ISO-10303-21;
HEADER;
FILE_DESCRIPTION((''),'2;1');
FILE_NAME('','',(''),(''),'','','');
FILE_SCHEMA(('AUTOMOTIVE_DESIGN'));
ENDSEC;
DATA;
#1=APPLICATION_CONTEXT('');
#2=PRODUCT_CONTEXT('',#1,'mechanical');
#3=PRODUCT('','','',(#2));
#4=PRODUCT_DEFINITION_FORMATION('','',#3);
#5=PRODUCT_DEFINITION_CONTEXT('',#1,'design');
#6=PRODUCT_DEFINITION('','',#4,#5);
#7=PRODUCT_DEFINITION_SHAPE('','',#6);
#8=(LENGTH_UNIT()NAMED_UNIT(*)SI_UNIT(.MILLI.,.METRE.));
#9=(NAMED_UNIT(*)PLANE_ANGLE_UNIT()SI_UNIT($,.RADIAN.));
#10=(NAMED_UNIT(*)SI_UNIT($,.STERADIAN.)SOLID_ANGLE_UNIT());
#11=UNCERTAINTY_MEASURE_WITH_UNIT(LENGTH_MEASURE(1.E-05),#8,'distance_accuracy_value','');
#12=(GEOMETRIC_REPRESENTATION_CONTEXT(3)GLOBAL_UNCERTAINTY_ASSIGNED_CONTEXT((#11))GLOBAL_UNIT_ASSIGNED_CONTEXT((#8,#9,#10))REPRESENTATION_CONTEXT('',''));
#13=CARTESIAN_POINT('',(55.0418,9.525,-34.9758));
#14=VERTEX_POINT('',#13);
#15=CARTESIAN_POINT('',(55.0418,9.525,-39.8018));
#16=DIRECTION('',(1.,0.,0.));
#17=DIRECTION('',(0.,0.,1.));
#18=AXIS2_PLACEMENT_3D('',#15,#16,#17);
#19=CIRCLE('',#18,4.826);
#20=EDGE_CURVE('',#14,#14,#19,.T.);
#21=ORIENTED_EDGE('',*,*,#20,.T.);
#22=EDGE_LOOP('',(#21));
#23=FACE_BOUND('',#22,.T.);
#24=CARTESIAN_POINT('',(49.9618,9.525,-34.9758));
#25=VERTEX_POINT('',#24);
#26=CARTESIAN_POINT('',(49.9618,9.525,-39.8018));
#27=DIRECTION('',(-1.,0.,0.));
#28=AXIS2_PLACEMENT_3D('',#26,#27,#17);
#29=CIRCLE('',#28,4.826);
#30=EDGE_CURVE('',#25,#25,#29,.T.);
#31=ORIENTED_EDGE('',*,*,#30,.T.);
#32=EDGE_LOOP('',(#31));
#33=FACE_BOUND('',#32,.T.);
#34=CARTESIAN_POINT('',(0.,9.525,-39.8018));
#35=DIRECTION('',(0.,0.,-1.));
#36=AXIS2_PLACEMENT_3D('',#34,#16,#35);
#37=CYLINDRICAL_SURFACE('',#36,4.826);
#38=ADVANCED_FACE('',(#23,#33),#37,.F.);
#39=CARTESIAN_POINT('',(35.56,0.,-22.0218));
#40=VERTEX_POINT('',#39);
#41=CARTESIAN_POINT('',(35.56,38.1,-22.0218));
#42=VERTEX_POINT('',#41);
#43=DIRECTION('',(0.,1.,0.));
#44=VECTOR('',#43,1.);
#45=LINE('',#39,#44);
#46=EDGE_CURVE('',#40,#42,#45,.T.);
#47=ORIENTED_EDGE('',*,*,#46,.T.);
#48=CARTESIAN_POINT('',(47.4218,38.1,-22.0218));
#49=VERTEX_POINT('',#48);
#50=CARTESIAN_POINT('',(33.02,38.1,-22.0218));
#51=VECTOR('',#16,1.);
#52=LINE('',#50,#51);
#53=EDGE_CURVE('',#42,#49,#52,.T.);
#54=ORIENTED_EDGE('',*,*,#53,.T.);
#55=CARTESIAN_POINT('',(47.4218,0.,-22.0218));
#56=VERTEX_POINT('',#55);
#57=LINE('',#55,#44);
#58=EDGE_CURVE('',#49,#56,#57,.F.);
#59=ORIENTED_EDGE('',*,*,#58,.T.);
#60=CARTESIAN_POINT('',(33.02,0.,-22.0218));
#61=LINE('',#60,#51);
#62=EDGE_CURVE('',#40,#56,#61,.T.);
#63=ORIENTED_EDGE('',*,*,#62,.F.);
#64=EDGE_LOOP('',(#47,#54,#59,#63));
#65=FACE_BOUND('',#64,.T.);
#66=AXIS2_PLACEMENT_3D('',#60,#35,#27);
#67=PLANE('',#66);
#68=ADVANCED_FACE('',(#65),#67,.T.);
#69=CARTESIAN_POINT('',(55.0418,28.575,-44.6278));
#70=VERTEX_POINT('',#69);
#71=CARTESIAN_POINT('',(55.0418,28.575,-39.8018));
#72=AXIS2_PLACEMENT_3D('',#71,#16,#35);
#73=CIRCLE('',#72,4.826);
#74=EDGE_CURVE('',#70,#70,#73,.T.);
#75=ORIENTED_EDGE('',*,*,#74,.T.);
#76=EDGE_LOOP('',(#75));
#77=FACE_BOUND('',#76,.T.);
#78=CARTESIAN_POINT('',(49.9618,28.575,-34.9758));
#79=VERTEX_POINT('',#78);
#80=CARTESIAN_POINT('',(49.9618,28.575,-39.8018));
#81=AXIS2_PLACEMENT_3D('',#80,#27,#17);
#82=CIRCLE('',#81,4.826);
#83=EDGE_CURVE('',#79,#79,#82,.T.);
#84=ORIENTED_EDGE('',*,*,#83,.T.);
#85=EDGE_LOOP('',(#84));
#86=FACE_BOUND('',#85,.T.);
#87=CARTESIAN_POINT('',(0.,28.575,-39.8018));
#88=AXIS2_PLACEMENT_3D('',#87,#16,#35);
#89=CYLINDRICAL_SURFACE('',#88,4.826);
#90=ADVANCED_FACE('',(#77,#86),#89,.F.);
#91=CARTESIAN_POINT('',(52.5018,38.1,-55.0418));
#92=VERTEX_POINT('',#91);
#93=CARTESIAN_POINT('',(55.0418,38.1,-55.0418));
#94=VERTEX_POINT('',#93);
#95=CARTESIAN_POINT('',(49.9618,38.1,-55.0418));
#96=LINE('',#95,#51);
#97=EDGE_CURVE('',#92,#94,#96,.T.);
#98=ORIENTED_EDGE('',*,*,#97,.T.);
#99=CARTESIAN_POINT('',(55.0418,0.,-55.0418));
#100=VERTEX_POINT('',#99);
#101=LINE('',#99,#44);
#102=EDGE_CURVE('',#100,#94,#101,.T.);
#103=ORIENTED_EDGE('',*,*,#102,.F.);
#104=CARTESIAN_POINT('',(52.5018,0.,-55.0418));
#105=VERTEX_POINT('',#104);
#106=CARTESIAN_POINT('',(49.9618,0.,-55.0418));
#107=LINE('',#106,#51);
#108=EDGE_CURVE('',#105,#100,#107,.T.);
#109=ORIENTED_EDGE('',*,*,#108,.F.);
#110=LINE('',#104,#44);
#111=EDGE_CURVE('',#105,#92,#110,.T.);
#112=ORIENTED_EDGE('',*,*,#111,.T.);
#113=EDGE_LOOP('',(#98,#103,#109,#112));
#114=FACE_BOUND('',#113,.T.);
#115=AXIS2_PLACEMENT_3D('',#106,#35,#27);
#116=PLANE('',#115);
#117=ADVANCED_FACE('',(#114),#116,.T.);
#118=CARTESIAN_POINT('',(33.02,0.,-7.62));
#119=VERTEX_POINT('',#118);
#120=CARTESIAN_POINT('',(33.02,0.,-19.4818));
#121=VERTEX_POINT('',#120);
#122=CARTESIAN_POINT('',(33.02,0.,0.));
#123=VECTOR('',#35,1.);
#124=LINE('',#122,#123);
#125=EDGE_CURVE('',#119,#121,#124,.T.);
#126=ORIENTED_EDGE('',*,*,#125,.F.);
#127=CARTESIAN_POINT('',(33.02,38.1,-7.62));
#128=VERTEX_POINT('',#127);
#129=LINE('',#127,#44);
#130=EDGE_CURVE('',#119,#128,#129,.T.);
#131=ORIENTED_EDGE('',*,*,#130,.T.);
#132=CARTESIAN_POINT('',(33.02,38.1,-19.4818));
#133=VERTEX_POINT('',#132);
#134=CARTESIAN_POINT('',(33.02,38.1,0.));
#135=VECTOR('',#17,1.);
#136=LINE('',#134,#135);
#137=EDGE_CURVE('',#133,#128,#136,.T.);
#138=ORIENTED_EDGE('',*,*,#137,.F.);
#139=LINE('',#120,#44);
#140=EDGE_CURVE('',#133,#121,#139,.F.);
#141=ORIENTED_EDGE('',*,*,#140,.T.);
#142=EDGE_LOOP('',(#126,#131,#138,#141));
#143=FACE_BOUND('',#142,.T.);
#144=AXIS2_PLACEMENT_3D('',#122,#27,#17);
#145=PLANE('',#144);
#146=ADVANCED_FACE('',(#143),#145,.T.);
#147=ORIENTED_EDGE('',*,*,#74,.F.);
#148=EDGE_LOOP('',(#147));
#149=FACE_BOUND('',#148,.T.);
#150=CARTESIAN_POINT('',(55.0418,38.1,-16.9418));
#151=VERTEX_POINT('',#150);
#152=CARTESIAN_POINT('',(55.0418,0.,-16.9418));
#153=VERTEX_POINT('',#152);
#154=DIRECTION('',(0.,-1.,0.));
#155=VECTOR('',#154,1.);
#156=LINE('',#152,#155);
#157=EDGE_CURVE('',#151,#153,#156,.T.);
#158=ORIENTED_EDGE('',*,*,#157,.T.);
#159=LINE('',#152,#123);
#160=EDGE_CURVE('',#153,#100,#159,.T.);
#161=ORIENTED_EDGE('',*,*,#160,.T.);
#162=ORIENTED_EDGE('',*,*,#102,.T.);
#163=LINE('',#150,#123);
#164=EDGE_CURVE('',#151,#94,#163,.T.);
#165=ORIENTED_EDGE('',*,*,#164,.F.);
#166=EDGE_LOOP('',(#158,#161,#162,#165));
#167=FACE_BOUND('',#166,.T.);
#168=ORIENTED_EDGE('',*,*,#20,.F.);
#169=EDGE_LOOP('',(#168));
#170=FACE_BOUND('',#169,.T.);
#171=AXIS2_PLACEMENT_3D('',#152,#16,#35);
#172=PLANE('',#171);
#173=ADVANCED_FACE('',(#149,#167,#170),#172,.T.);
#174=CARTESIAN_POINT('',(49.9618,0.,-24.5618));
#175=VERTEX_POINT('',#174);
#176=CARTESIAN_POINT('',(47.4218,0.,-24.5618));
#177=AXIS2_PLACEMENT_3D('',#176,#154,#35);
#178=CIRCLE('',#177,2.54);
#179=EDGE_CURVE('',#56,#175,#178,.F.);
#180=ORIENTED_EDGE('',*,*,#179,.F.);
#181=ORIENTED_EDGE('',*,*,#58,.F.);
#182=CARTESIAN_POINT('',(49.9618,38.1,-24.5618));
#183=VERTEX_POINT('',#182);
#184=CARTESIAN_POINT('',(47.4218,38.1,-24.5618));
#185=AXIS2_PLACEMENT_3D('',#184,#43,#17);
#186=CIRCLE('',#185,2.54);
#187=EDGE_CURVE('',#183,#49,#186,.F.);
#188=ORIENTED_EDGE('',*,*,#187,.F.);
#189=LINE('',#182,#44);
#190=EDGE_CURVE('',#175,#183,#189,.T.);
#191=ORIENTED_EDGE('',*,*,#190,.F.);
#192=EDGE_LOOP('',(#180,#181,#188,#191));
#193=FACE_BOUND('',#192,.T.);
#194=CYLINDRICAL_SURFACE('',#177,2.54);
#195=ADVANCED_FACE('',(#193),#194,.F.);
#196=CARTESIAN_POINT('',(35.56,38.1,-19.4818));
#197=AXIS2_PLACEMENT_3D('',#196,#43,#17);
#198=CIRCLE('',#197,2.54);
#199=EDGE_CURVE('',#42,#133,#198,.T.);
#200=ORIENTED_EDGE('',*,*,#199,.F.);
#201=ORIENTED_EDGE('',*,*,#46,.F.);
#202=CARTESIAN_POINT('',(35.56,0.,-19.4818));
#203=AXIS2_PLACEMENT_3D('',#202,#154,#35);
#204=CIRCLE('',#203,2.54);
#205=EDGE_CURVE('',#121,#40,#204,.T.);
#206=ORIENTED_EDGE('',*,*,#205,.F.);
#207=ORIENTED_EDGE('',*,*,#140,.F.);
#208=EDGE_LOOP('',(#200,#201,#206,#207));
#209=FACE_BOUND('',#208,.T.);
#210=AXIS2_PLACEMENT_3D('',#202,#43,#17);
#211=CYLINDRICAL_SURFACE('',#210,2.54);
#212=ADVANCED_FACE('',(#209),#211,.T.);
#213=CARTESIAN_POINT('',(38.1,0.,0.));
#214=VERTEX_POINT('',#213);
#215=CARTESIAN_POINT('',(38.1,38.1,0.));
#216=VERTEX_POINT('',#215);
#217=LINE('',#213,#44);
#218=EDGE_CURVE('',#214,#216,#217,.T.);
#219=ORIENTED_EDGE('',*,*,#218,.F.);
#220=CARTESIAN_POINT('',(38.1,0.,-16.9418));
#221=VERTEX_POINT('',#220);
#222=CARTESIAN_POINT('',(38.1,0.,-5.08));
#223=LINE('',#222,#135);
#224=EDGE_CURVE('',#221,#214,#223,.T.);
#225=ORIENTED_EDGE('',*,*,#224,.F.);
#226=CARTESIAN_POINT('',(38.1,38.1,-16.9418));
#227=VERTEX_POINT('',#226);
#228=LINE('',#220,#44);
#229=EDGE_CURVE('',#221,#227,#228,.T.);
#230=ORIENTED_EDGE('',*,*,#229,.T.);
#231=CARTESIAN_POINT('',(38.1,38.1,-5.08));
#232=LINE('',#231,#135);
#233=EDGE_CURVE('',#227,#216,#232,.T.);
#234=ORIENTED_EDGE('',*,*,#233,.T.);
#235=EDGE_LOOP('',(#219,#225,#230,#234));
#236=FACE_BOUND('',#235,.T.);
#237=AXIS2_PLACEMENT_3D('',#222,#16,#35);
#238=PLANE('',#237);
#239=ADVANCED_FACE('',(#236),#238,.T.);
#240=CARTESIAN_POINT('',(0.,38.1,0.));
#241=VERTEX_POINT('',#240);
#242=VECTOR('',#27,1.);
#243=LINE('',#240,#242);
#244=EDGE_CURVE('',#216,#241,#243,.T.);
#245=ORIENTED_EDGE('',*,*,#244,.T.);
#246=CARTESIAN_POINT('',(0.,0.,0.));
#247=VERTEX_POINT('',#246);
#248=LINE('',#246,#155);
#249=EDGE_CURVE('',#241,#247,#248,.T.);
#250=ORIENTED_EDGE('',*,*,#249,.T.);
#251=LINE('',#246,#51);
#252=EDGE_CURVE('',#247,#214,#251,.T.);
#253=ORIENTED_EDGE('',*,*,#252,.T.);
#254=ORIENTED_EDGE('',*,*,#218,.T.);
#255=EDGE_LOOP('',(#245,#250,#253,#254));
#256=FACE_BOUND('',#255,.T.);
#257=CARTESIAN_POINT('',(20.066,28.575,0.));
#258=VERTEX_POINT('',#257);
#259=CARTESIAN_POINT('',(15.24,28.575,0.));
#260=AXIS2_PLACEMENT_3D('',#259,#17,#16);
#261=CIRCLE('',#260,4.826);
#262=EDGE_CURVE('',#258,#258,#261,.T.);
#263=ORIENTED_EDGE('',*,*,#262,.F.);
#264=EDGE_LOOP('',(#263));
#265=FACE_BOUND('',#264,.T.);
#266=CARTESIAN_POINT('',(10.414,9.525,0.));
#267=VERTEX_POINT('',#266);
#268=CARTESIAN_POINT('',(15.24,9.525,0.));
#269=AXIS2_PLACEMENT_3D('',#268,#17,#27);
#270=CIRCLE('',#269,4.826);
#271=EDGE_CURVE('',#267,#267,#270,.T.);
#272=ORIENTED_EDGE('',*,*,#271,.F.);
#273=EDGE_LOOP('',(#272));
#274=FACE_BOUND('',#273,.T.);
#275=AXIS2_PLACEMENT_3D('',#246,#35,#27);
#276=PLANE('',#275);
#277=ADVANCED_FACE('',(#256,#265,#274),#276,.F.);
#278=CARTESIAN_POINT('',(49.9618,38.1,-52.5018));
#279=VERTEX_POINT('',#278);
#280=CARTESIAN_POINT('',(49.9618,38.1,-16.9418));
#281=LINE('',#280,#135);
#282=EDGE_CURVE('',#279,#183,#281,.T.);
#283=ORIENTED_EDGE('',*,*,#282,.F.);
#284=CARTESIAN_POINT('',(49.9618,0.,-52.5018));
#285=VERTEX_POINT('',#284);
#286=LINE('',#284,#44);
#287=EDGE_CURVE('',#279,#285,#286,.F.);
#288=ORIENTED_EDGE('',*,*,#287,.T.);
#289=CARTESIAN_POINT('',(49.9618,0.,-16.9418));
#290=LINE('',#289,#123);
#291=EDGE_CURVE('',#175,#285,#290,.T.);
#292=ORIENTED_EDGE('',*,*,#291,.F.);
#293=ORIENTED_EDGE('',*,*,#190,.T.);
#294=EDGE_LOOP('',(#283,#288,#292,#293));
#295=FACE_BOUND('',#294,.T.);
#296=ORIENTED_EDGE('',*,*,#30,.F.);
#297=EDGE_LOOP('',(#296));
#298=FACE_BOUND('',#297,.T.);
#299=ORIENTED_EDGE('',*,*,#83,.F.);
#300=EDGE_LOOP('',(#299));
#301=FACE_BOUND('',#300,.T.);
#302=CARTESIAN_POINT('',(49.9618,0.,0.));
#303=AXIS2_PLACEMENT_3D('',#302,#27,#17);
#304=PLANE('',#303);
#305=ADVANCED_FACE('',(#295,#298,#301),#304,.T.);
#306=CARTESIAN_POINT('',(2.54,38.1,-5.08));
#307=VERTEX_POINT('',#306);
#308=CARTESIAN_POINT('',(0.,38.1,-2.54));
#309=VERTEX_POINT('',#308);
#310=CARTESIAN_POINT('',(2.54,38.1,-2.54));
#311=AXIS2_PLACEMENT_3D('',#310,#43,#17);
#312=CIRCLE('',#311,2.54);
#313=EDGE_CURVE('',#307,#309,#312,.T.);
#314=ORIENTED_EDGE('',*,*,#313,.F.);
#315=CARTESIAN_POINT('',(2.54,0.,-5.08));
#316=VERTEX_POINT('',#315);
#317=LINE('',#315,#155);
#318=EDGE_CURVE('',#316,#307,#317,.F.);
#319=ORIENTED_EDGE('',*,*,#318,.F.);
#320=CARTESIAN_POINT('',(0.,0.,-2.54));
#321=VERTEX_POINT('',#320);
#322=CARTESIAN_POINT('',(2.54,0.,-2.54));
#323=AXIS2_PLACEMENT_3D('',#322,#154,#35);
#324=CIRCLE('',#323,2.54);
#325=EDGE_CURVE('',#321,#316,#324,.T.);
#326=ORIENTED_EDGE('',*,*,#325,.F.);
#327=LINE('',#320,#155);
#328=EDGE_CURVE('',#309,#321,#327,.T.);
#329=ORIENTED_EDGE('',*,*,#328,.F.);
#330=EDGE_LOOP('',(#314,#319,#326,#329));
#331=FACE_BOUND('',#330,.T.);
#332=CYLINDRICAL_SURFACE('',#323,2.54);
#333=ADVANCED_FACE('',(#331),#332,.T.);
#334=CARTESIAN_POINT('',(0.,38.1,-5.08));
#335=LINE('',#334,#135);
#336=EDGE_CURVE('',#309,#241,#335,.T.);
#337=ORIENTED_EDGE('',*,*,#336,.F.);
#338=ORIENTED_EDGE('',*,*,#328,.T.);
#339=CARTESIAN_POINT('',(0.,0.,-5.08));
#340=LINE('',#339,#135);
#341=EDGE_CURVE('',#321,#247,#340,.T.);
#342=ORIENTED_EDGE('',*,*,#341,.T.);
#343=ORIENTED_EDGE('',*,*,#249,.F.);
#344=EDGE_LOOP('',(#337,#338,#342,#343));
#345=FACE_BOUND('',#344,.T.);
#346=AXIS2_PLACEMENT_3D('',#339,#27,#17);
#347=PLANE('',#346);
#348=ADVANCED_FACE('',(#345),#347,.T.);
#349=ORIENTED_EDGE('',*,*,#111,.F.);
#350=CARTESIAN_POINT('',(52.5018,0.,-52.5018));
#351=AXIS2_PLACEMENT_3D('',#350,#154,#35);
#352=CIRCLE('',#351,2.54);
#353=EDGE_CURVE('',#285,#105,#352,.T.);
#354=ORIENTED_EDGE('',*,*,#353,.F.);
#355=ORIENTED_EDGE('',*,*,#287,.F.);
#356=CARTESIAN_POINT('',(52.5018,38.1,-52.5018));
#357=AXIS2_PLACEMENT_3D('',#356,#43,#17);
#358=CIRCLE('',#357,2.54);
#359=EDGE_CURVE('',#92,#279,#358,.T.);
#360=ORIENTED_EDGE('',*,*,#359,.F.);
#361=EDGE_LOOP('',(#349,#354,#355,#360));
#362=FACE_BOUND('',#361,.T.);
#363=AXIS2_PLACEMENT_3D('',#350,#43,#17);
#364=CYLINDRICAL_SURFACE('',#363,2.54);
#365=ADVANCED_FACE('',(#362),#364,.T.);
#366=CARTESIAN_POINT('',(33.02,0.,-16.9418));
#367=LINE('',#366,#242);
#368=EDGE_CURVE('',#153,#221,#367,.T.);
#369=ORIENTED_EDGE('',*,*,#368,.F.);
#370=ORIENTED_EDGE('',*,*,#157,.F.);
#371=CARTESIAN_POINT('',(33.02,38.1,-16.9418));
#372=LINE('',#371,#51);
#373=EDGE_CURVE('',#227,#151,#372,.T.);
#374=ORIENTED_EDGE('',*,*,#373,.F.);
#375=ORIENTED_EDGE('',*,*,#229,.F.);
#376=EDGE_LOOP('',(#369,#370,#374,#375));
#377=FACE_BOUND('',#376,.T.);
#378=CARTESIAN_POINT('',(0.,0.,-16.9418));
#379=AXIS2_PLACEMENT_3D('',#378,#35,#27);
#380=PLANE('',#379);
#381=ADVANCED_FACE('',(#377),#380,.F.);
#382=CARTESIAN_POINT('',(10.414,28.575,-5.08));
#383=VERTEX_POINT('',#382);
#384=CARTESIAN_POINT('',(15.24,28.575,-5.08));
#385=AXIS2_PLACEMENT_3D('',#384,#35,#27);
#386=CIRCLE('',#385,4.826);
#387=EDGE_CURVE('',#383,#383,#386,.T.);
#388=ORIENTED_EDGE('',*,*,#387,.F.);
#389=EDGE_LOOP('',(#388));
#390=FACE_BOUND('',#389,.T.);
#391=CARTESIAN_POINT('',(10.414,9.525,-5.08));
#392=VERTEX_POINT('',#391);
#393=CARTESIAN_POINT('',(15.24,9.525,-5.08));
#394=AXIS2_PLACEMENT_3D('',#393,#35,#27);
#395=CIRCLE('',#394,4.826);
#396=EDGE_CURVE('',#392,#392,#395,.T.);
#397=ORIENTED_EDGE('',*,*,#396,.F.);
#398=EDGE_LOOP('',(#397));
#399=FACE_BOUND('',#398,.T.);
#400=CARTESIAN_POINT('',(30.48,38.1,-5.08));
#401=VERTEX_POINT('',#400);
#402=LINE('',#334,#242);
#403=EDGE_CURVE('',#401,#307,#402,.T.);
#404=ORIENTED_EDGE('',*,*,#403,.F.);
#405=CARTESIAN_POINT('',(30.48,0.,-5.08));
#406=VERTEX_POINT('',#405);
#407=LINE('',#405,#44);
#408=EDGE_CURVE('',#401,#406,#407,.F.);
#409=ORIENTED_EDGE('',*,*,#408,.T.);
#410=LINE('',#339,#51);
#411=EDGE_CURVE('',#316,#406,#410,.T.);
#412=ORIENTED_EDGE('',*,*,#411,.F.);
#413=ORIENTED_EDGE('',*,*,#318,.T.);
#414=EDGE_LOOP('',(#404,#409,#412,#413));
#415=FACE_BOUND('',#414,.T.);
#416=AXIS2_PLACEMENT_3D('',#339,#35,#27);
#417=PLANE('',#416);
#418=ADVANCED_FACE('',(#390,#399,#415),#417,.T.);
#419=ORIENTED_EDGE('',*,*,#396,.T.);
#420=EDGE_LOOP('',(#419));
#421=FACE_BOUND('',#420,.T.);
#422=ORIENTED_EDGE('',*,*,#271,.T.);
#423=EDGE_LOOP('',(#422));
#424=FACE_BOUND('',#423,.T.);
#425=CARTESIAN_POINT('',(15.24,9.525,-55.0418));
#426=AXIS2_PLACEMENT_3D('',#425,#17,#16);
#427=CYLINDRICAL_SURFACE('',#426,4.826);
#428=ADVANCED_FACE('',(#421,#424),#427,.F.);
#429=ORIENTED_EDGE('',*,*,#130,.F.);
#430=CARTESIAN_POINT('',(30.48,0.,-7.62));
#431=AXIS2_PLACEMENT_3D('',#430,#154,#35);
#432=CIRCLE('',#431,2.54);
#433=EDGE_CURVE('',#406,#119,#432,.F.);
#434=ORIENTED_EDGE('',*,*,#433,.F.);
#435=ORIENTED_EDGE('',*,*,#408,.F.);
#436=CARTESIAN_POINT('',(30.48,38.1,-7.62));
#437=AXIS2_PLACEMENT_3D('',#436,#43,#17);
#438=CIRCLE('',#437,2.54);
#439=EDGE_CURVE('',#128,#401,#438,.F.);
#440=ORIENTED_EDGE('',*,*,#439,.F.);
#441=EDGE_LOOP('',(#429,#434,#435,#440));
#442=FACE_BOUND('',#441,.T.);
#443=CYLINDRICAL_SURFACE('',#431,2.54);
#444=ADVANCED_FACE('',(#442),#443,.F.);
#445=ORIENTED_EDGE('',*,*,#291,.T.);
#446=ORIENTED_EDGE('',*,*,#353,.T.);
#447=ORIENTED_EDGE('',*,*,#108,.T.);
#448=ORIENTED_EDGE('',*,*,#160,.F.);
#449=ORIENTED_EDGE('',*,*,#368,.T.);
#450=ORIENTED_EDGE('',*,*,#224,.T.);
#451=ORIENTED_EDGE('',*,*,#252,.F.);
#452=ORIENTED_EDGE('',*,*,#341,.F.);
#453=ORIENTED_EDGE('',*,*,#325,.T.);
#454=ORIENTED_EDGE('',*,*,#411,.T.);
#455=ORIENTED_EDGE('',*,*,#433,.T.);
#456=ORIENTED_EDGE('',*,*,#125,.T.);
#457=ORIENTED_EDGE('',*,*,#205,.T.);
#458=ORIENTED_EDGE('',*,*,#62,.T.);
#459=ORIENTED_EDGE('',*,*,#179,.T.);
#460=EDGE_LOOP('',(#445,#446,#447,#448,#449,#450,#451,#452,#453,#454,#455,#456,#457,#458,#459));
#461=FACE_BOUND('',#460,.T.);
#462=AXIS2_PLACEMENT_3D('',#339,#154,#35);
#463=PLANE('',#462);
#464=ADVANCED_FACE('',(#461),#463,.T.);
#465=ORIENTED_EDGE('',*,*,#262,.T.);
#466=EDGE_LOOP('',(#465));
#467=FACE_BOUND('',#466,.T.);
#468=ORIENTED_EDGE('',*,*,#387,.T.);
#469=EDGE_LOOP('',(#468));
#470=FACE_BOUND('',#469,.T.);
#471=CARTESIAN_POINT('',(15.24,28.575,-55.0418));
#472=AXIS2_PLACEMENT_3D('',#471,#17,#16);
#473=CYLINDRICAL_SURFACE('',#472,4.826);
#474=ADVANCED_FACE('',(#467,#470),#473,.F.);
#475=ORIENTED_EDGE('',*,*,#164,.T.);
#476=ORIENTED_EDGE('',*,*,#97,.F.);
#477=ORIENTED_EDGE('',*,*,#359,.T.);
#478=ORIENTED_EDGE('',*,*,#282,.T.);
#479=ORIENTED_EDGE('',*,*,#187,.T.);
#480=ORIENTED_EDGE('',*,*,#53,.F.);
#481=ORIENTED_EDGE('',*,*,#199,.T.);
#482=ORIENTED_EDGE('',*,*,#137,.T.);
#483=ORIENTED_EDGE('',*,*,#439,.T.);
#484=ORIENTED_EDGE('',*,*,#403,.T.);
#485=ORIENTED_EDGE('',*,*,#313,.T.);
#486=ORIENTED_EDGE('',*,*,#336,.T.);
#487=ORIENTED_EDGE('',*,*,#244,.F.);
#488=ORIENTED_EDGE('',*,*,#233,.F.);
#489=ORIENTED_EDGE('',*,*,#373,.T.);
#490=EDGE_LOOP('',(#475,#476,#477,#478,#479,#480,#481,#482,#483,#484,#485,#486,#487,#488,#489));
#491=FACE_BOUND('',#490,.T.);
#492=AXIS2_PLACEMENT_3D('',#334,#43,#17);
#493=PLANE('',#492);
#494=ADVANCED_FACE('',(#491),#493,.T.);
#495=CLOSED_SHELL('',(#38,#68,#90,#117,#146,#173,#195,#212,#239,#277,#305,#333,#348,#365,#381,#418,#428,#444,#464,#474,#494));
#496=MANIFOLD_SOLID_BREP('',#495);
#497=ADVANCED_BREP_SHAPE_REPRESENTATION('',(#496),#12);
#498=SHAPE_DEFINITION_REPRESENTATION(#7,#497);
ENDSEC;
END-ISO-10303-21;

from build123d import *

# Parameters (mm, degrees)
SKETCH2_W           = 38.1
SKETCH2_H           = 38.1
BOSS_EXTRUDE1_DEPTH = 5.08
SKETCH3_W           = 22.0218
SKETCH3_H           = 38.1
BOSS_EXTRUDE2_DEPTH = 5.08
SKETCH4_W           = 22.0218
SKETCH4_H           = 38.1
BOSS_EXTRUDE3_DEPTH = 5.08
SKETCH5_W           = 38.1
SKETCH5_H           = 38.1
BOSS_EXTRUDE4_DEPTH = 5.08
SKETCH6_R           = 4.826
CUT_EXTRUDE1_DEPTH  = 87.664926553
SKETCH7_R           = 4.826
CUT_EXTRUDE2_DEPTH  = 87.664926553
FILLET1_R           = 2.54
FILLET2_R           = 2.54
FILLET3_R           = 2.54
FILLET4_R           = 2.54
FILLET5_R           = 2.54


with BuildPart() as part:
    # Sketch2 → Boss-Extrude1 (new body)
    with BuildSketch(Plane.XY):
        with Locations((19.05, 19.05)):
            Rectangle(SKETCH2_W, SKETCH2_H)
    extrude(amount=-BOSS_EXTRUDE1_DEPTH)

    # Sketch3 → Boss-Extrude2 (add)
    with BuildSketch(Plane(origin=(38.1, 0, 0), x_dir=(0, 0, -1), z_dir=(1, 0, 0))):
        with Locations((11.0109, 19.05)):
            Rectangle(SKETCH3_W, SKETCH3_H)
    extrude(amount=-BOSS_EXTRUDE2_DEPTH)

    # Sketch4 → Boss-Extrude3 (add)
    with BuildSketch(Plane(origin=(0, 0, -22.0218), x_dir=(-1, 0, 0), z_dir=(0, 0, -1))):
        with Locations((-44.0309, 19.05)):
            Rectangle(SKETCH4_W, SKETCH4_H)
    extrude(amount=-BOSS_EXTRUDE3_DEPTH)

    # Sketch5 → Boss-Extrude4 (add)
    with BuildSketch(Plane(origin=(55.0418, 0, 0), x_dir=(0, 0, -1), z_dir=(1, 0, 0))):
        with Locations((35.9918, 19.05)):
            Rectangle(SKETCH5_W, SKETCH5_H)
    extrude(amount=-BOSS_EXTRUDE4_DEPTH)

    # Sketch6 → Cut-Extrude1 (cut, through all)
    with BuildSketch(Plane(origin=(55.0418, 0, 0), x_dir=(0, 0, -1), z_dir=(1, 0, 0))):
        with Locations((39.8018, 28.575)):
            Circle(SKETCH6_R)
        with Locations(Location((39.8018, 9.525, 0), (0, 0, 180))):
            Circle(SKETCH6_R)
    extrude(amount=-CUT_EXTRUDE1_DEPTH, mode=Mode.SUBTRACT)

    # Sketch7 → Cut-Extrude2 (cut, through all)
    with BuildSketch(Plane.XY):
        with Locations((15.24, 28.575)):
            Circle(SKETCH7_R)
        with Locations(Location((15.24, 9.525, 0), (0, 0, 180))):
            Circle(SKETCH7_R)
    extrude(amount=-CUT_EXTRUDE2_DEPTH, mode=Mode.SUBTRACT)

    # Fillet1
    fillet1_edges = [part.edges().sort_by_distance(p)[0] for p in [
        (49.9618, 19.05, -55.0418),
    ]]
    fillet(fillet1_edges, radius=FILLET1_R)

    # Fillet2
    fillet2_edges = [part.edges().sort_by_distance(p)[0] for p in [
        (49.9618, 19.05, -22.0218),
    ]]
    fillet(fillet2_edges, radius=FILLET2_R)

    # Fillet3
    fillet3_edges = [part.edges().sort_by_distance(p)[0] for p in [
        (33.02, 19.05, -22.0218),
    ]]
    fillet(fillet3_edges, radius=FILLET3_R)

    # Fillet4
    fillet4_edges = [part.edges().sort_by_distance(p)[0] for p in [
        (33.02, 19.05, -5.08),
    ]]
    fillet(fillet4_edges, radius=FILLET4_R)

    # Fillet5
    fillet5_edges = [part.edges().sort_by_distance(p)[0] for p in [
        (0, 19.05, -5.08),
    ]]
    fillet(fillet5_edges, radius=FILLET5_R)


solid = part.part
